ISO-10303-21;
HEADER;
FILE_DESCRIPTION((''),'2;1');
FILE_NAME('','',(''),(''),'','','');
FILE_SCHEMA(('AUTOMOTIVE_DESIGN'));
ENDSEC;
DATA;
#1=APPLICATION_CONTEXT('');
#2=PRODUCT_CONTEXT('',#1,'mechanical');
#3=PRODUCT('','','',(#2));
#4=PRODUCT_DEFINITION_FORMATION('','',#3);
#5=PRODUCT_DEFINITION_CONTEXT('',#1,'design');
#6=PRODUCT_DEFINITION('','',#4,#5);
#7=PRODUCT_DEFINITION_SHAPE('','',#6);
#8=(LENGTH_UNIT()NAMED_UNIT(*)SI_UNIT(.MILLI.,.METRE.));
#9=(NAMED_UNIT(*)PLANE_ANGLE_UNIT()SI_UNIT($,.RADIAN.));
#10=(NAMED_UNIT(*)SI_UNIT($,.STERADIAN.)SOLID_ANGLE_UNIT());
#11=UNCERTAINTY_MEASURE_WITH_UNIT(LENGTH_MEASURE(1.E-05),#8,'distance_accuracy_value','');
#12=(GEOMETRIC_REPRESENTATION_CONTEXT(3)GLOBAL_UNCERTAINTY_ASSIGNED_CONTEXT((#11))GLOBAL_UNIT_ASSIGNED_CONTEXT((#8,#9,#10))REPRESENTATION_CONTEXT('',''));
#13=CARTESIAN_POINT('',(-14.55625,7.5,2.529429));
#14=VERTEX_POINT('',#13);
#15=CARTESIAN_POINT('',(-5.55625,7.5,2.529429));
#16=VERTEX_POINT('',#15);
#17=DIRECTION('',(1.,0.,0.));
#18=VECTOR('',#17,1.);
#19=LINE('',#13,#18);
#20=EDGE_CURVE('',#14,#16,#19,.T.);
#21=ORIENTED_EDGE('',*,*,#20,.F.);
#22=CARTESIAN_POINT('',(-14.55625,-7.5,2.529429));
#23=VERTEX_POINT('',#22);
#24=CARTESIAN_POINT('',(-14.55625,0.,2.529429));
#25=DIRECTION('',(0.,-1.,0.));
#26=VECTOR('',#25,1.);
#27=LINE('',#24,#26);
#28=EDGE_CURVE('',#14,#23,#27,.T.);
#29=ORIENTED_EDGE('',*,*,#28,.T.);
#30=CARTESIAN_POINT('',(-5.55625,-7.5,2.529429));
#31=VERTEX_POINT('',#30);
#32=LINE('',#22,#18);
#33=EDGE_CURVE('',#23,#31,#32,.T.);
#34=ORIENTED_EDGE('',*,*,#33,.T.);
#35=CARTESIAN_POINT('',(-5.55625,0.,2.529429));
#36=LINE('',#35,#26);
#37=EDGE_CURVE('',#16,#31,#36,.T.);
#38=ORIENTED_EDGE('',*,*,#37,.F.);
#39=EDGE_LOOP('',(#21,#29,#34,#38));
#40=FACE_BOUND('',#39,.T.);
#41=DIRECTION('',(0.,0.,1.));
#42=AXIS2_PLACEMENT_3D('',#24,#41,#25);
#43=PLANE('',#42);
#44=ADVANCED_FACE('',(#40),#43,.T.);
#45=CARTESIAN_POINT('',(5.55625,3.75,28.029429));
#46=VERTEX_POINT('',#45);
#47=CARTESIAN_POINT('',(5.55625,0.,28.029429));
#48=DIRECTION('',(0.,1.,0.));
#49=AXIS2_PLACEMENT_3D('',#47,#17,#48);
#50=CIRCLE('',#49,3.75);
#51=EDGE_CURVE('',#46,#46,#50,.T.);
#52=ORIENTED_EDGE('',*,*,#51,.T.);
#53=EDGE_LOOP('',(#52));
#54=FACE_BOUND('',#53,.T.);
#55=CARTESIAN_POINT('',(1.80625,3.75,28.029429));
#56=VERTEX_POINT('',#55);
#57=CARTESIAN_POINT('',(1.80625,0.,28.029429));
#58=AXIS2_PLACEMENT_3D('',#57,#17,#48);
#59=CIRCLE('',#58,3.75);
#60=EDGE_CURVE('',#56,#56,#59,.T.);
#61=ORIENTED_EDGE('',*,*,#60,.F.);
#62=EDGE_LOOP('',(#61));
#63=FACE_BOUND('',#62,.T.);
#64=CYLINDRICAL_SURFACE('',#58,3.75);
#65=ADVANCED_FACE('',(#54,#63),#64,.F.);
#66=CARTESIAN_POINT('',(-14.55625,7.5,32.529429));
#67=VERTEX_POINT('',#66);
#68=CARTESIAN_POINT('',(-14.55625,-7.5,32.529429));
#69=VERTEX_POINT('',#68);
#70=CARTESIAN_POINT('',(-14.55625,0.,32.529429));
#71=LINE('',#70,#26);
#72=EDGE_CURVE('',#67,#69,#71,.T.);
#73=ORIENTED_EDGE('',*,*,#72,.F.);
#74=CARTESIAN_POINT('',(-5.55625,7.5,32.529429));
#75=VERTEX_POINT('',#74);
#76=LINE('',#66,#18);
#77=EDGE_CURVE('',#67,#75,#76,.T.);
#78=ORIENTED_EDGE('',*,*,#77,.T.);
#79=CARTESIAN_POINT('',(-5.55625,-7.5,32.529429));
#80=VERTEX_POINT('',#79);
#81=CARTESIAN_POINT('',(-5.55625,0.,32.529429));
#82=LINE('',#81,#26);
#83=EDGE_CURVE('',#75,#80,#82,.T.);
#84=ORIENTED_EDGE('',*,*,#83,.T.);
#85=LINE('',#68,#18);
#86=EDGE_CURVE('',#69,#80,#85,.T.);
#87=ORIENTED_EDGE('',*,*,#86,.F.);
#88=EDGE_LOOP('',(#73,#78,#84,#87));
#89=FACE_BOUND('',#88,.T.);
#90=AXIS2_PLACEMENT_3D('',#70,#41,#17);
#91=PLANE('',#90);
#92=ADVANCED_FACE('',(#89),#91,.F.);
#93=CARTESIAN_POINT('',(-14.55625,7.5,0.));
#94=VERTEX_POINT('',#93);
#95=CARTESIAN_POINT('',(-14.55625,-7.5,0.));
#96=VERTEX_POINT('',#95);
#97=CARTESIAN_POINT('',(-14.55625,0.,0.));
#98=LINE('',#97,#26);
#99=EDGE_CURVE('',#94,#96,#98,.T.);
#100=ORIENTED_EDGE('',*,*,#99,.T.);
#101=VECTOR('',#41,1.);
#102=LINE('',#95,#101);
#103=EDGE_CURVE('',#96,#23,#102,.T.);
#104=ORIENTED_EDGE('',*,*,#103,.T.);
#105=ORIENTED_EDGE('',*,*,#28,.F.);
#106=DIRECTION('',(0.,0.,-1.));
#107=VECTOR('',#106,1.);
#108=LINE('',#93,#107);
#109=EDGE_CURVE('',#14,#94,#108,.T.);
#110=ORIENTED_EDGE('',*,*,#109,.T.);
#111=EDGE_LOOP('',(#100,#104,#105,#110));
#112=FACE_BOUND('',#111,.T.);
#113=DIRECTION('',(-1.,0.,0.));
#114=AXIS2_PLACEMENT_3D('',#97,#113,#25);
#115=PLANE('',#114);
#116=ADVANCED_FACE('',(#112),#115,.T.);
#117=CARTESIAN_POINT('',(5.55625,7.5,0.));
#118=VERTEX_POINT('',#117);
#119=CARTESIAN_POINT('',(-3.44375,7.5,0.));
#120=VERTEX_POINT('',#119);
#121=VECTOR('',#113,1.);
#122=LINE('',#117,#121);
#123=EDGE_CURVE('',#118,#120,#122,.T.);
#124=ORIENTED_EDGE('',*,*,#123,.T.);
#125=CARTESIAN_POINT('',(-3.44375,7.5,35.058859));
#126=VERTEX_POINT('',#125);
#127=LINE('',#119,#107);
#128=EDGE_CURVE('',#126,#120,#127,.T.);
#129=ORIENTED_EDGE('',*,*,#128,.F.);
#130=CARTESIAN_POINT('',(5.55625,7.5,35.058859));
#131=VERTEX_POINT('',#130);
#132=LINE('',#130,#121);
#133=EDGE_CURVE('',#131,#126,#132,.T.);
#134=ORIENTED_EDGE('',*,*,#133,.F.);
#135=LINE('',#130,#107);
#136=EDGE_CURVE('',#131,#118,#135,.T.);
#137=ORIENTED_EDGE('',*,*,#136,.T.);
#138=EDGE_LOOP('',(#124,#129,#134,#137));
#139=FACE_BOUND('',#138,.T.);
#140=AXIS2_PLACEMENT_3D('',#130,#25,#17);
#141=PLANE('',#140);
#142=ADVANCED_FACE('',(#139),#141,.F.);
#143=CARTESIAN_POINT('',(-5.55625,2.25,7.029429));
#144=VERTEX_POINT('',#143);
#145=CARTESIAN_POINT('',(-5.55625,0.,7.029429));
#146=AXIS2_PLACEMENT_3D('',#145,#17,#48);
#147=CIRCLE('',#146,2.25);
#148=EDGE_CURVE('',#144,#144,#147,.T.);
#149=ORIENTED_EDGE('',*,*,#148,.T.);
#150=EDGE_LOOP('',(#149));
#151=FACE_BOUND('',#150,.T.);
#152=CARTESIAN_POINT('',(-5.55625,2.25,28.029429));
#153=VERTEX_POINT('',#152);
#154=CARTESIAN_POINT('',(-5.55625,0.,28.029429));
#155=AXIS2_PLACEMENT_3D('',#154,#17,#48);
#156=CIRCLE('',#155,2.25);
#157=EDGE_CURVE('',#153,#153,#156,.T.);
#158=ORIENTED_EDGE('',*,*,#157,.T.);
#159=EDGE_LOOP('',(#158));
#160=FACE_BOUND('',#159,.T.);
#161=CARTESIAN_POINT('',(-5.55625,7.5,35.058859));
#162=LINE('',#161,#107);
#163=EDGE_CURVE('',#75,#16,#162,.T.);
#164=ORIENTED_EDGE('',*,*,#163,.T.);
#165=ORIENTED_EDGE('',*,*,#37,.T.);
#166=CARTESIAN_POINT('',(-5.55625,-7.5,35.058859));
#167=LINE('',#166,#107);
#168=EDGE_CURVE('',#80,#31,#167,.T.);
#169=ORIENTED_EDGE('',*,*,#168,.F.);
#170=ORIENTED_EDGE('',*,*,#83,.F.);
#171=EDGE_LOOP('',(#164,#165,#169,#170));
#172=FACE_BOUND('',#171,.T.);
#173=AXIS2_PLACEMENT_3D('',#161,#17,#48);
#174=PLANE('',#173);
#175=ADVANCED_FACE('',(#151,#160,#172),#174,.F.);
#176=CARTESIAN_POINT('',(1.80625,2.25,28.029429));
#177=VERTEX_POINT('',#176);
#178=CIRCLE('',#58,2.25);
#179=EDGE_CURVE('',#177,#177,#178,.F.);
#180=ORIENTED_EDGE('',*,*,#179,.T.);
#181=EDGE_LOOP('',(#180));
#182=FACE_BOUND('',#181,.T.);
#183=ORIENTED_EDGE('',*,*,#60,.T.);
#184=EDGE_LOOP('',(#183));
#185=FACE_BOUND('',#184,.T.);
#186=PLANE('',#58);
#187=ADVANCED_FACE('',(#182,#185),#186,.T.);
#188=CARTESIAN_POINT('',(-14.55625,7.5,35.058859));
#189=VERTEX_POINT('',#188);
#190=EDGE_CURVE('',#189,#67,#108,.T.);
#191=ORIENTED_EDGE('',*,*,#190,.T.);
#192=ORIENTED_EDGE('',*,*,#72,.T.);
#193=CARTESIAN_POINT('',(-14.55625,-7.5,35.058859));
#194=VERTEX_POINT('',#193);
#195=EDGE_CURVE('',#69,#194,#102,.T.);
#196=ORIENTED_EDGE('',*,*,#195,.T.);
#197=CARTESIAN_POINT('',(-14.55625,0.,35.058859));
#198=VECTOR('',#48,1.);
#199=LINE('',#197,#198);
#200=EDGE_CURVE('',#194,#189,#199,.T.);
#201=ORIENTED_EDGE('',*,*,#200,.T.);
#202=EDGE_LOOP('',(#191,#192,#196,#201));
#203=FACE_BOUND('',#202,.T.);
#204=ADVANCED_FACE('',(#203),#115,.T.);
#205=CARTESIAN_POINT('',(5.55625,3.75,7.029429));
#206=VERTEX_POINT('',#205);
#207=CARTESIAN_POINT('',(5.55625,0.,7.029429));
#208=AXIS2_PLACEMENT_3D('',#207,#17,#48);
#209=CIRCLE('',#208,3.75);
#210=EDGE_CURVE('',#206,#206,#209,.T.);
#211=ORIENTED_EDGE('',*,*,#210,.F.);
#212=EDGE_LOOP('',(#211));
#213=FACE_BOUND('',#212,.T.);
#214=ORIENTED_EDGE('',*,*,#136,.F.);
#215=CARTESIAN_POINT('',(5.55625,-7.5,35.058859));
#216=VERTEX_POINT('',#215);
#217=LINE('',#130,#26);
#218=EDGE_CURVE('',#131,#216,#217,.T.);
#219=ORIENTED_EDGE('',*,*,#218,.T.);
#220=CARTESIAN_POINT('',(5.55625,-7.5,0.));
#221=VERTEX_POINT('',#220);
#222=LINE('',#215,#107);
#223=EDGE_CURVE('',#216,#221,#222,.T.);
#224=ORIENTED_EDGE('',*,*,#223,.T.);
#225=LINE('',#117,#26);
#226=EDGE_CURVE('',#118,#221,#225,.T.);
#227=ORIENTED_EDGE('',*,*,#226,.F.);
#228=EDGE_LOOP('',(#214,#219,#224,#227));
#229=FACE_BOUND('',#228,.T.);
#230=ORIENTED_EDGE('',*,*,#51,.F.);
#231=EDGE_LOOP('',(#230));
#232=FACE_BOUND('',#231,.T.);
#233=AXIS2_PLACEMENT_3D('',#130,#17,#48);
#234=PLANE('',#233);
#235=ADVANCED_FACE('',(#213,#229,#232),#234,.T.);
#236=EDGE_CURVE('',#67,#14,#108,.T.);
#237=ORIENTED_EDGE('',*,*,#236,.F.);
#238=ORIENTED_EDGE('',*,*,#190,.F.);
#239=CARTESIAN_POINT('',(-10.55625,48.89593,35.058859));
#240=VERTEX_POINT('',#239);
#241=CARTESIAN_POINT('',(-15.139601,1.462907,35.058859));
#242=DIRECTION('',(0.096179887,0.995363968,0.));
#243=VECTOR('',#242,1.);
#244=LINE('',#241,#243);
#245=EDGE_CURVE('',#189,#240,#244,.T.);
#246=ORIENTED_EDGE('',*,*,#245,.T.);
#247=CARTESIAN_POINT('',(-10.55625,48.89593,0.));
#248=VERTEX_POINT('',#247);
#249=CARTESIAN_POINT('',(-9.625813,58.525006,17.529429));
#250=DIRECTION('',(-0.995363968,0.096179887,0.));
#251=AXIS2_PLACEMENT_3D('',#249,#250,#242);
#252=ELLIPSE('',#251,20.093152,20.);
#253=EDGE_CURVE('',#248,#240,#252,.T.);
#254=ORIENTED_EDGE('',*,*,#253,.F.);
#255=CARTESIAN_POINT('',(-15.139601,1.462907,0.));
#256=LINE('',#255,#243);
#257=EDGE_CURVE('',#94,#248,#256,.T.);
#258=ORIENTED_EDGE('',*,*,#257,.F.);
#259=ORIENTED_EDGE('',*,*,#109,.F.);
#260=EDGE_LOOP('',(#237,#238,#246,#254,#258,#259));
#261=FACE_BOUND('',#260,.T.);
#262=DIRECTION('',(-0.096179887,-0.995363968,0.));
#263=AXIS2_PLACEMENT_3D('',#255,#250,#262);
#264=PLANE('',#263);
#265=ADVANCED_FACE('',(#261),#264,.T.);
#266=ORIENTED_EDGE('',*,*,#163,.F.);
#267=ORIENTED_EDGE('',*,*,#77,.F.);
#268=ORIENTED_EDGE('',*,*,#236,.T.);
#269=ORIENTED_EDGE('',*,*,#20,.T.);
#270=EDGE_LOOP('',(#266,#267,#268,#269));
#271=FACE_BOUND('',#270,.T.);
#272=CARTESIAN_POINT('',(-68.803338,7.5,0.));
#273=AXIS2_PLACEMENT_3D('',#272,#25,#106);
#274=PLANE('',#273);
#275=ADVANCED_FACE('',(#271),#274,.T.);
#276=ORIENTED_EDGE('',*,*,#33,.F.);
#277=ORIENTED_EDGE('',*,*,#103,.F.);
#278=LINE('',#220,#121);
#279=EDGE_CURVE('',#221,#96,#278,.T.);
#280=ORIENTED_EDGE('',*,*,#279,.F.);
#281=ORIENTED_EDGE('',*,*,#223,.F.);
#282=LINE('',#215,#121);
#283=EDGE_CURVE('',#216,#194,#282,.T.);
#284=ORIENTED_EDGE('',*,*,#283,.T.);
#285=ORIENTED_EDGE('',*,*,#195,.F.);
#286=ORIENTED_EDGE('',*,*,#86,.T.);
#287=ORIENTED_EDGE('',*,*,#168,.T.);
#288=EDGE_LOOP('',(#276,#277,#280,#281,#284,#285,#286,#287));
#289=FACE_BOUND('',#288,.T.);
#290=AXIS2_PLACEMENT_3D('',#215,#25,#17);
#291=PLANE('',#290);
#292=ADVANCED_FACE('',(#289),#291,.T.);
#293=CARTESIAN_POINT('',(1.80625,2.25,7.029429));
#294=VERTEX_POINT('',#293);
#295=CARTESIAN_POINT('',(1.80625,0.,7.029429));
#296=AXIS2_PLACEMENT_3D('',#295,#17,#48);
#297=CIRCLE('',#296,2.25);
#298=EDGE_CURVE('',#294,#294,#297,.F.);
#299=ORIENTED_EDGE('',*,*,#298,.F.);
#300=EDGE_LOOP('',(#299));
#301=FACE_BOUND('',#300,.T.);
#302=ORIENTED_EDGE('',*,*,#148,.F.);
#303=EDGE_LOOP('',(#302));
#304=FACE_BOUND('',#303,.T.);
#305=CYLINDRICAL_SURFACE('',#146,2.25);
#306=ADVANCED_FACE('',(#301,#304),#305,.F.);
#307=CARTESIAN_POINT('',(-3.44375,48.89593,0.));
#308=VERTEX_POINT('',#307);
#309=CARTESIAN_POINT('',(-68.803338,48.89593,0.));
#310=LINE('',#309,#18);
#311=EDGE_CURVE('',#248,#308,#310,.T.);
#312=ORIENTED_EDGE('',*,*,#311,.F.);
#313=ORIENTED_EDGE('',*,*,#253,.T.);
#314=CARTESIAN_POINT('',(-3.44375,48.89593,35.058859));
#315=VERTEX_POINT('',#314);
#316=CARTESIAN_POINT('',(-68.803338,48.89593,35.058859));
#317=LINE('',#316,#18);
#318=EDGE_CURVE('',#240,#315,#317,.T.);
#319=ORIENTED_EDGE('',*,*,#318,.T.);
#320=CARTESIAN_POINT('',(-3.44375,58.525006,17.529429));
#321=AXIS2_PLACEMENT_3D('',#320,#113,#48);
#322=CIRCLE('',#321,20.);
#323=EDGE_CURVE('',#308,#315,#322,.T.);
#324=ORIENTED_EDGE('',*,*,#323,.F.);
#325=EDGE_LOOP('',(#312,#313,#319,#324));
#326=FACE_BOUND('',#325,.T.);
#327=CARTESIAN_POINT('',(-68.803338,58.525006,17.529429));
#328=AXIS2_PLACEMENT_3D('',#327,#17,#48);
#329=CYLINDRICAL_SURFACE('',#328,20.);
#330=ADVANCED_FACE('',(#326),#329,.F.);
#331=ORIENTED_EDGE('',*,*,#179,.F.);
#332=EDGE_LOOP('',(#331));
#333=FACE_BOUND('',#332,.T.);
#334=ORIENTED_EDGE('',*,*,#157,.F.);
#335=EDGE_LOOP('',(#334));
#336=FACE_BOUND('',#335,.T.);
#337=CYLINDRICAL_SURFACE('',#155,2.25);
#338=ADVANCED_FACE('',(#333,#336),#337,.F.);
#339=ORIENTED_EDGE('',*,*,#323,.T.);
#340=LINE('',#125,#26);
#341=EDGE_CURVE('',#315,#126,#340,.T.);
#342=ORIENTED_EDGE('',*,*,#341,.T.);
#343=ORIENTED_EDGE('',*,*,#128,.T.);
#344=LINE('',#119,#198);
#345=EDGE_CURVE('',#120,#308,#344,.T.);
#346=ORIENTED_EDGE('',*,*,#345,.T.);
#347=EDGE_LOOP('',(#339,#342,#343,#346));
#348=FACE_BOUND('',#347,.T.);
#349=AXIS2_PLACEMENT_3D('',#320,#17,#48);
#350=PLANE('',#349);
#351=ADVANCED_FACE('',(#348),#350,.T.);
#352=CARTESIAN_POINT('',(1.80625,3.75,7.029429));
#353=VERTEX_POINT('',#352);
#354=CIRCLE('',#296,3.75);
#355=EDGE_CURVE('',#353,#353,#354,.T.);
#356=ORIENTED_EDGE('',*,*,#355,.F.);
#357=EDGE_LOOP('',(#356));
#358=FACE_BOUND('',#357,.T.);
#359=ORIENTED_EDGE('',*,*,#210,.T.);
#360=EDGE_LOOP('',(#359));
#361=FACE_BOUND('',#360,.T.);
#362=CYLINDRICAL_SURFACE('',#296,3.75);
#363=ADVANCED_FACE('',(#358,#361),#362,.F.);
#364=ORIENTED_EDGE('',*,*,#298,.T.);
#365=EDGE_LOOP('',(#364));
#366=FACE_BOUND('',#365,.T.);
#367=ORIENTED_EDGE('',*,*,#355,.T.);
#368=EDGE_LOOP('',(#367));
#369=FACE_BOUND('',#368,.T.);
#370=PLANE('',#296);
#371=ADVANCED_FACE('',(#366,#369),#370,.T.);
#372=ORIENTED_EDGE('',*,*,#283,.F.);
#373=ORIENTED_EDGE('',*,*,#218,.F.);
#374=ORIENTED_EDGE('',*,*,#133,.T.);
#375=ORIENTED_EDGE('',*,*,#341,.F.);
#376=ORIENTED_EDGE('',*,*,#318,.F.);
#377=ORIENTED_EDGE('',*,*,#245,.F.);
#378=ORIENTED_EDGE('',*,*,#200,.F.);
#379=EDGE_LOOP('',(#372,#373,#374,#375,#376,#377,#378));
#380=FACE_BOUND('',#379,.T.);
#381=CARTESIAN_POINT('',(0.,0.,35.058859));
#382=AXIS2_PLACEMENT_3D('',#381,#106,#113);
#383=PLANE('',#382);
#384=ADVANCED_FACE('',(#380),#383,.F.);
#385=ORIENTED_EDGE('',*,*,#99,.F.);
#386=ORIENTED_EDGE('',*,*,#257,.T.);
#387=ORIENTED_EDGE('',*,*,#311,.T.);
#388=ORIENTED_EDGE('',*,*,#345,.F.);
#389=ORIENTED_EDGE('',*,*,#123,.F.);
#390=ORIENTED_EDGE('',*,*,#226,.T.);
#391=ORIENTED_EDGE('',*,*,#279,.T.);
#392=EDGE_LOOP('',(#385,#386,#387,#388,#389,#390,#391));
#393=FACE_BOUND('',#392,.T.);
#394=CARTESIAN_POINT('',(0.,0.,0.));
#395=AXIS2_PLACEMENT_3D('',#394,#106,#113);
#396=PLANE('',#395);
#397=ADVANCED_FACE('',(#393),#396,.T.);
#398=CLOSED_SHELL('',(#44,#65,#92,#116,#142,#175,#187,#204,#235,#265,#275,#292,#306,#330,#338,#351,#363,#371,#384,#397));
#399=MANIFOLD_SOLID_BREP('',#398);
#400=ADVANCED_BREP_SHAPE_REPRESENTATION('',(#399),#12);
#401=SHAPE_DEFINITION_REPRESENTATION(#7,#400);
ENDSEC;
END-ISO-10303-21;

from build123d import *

# Parameters (mm, degrees)
GRIPPER_ATTACHMENT_BASE_SKETCH_W = 11.1125
GRIPPER_ATTACHMENT_BASE_SKETCH_H = 15
GRIPPER_ATTACHMENT_BASE_DEPTH    = 35.0588586
THROUGH_HOLES_SKETCH_R           = 2.25
SCREW_THROUGH_HOLES_DEPTH        = 38.534800154
SOCKET_RECESSES_SKETCH_R         = 3.75
SOCKET_RECESSES_DEPTH            = 3.75
FINGER_CAVITY_SKETCH_W           = 2.5294293
FINGER_CAVITY_SKETCH_H           = 15
FINGER_CAVITY_DEPTH              = 9
THICKENER_BASE_DEPTH             = 11.1125
THICKNESS_CUTOFF_SKETCH_W        = 61.996732773
THICKNESS_CUTOFF_SKETCH_H        = 64.835459205
THICKNESS_CUTOFF_DEPTH           = 63.508667222


with BuildPart() as part:
    # Gripper Attachment Base Sketch → Gripper Attachment Base (new body)
    with BuildSketch(Plane.XY):
        Rectangle(GRIPPER_ATTACHMENT_BASE_SKETCH_W, GRIPPER_ATTACHMENT_BASE_SKETCH_H)
    extrude(amount=GRIPPER_ATTACHMENT_BASE_DEPTH)

    # Through-Holes Sketch → Screw Through-Holes (cut, through all)
    with BuildSketch(Plane(origin=(5.55625, 0, 0), x_dir=(0, 0, -1), z_dir=(1, 0, 0))):
        with Locations(Location((-28.0294293, 0, 0), (0, 0, 90))):
            Circle(THROUGH_HOLES_SKETCH_R)
        with Locations(Location((-7.0294293, 0, 0), (0, 0, 90))):
            Circle(THROUGH_HOLES_SKETCH_R)
    extrude(amount=-SCREW_THROUGH_HOLES_DEPTH, mode=Mode.SUBTRACT)

    # Socket Recesses Sketch → Socket Recesses (cut)
    with BuildSketch(Plane(origin=(5.55625, 0, 0), x_dir=(0, 0, -1), z_dir=(1, 0, 0))):
        with Locations(Location((-28.0294293, 0, 0), (0, 0, 90))):
            Circle(SOCKET_RECESSES_SKETCH_R)
        with Locations(Location((-7.0294293, 0, 0), (0, 0, 90))):
            Circle(SOCKET_RECESSES_SKETCH_R)
    extrude(amount=-SOCKET_RECESSES_DEPTH, mode=Mode.SUBTRACT)

    # Finger Cavity Sketch → Finger Cavity (add)
    with BuildSketch(Plane.ZY.offset(5.55625)):
        with Locations((1.26471465, 0)):
            Rectangle(FINGER_CAVITY_SKETCH_W, FINGER_CAVITY_SKETCH_H)
        with Locations((33.79414395, 0)):
            Rectangle(FINGER_CAVITY_SKETCH_W, FINGER_CAVITY_SKETCH_H)
    extrude(amount=FINGER_CAVITY_DEPTH)

    # Thickener Base Sketch → Thickener Base (add)
    with BuildSketch(Plane(origin=(-3.44375, 0, 0), x_dir=(0, 0, -1), z_dir=(1, 0, 0))):
        with BuildLine():
            Line((0, 7.5), (-35.0588586, 7.5))
            Line((-35.0588586, 7.5), (-35.0588586, 48.89593))
            ThreePointArc((-35.0588586, 48.89593), (-17.5294293, 38.525006197), (0, 48.89593))
            Line((0, 48.89593), (0, 7.5))
        make_face()
    extrude(amount=-THICKENER_BASE_DEPTH)

    # Thickness Cutoff Sketch → Thickness Cutoff (cut, through all)
    with BuildSketch(Plane(origin=(-15.139601336, 1.462907231, 0), x_dir=(0, 0, -1), z_dir=(0.9953639682653084, -0.09617988708216554, 0))):
        with Locations((-17.347442804, 24.375229456)):
            Rectangle(THICKNESS_CUTOFF_SKETCH_W, THICKNESS_CUTOFF_SKETCH_H)
    extrude(amount=-THICKNESS_CUTOFF_DEPTH, mode=Mode.SUBTRACT)


solid = part.part
